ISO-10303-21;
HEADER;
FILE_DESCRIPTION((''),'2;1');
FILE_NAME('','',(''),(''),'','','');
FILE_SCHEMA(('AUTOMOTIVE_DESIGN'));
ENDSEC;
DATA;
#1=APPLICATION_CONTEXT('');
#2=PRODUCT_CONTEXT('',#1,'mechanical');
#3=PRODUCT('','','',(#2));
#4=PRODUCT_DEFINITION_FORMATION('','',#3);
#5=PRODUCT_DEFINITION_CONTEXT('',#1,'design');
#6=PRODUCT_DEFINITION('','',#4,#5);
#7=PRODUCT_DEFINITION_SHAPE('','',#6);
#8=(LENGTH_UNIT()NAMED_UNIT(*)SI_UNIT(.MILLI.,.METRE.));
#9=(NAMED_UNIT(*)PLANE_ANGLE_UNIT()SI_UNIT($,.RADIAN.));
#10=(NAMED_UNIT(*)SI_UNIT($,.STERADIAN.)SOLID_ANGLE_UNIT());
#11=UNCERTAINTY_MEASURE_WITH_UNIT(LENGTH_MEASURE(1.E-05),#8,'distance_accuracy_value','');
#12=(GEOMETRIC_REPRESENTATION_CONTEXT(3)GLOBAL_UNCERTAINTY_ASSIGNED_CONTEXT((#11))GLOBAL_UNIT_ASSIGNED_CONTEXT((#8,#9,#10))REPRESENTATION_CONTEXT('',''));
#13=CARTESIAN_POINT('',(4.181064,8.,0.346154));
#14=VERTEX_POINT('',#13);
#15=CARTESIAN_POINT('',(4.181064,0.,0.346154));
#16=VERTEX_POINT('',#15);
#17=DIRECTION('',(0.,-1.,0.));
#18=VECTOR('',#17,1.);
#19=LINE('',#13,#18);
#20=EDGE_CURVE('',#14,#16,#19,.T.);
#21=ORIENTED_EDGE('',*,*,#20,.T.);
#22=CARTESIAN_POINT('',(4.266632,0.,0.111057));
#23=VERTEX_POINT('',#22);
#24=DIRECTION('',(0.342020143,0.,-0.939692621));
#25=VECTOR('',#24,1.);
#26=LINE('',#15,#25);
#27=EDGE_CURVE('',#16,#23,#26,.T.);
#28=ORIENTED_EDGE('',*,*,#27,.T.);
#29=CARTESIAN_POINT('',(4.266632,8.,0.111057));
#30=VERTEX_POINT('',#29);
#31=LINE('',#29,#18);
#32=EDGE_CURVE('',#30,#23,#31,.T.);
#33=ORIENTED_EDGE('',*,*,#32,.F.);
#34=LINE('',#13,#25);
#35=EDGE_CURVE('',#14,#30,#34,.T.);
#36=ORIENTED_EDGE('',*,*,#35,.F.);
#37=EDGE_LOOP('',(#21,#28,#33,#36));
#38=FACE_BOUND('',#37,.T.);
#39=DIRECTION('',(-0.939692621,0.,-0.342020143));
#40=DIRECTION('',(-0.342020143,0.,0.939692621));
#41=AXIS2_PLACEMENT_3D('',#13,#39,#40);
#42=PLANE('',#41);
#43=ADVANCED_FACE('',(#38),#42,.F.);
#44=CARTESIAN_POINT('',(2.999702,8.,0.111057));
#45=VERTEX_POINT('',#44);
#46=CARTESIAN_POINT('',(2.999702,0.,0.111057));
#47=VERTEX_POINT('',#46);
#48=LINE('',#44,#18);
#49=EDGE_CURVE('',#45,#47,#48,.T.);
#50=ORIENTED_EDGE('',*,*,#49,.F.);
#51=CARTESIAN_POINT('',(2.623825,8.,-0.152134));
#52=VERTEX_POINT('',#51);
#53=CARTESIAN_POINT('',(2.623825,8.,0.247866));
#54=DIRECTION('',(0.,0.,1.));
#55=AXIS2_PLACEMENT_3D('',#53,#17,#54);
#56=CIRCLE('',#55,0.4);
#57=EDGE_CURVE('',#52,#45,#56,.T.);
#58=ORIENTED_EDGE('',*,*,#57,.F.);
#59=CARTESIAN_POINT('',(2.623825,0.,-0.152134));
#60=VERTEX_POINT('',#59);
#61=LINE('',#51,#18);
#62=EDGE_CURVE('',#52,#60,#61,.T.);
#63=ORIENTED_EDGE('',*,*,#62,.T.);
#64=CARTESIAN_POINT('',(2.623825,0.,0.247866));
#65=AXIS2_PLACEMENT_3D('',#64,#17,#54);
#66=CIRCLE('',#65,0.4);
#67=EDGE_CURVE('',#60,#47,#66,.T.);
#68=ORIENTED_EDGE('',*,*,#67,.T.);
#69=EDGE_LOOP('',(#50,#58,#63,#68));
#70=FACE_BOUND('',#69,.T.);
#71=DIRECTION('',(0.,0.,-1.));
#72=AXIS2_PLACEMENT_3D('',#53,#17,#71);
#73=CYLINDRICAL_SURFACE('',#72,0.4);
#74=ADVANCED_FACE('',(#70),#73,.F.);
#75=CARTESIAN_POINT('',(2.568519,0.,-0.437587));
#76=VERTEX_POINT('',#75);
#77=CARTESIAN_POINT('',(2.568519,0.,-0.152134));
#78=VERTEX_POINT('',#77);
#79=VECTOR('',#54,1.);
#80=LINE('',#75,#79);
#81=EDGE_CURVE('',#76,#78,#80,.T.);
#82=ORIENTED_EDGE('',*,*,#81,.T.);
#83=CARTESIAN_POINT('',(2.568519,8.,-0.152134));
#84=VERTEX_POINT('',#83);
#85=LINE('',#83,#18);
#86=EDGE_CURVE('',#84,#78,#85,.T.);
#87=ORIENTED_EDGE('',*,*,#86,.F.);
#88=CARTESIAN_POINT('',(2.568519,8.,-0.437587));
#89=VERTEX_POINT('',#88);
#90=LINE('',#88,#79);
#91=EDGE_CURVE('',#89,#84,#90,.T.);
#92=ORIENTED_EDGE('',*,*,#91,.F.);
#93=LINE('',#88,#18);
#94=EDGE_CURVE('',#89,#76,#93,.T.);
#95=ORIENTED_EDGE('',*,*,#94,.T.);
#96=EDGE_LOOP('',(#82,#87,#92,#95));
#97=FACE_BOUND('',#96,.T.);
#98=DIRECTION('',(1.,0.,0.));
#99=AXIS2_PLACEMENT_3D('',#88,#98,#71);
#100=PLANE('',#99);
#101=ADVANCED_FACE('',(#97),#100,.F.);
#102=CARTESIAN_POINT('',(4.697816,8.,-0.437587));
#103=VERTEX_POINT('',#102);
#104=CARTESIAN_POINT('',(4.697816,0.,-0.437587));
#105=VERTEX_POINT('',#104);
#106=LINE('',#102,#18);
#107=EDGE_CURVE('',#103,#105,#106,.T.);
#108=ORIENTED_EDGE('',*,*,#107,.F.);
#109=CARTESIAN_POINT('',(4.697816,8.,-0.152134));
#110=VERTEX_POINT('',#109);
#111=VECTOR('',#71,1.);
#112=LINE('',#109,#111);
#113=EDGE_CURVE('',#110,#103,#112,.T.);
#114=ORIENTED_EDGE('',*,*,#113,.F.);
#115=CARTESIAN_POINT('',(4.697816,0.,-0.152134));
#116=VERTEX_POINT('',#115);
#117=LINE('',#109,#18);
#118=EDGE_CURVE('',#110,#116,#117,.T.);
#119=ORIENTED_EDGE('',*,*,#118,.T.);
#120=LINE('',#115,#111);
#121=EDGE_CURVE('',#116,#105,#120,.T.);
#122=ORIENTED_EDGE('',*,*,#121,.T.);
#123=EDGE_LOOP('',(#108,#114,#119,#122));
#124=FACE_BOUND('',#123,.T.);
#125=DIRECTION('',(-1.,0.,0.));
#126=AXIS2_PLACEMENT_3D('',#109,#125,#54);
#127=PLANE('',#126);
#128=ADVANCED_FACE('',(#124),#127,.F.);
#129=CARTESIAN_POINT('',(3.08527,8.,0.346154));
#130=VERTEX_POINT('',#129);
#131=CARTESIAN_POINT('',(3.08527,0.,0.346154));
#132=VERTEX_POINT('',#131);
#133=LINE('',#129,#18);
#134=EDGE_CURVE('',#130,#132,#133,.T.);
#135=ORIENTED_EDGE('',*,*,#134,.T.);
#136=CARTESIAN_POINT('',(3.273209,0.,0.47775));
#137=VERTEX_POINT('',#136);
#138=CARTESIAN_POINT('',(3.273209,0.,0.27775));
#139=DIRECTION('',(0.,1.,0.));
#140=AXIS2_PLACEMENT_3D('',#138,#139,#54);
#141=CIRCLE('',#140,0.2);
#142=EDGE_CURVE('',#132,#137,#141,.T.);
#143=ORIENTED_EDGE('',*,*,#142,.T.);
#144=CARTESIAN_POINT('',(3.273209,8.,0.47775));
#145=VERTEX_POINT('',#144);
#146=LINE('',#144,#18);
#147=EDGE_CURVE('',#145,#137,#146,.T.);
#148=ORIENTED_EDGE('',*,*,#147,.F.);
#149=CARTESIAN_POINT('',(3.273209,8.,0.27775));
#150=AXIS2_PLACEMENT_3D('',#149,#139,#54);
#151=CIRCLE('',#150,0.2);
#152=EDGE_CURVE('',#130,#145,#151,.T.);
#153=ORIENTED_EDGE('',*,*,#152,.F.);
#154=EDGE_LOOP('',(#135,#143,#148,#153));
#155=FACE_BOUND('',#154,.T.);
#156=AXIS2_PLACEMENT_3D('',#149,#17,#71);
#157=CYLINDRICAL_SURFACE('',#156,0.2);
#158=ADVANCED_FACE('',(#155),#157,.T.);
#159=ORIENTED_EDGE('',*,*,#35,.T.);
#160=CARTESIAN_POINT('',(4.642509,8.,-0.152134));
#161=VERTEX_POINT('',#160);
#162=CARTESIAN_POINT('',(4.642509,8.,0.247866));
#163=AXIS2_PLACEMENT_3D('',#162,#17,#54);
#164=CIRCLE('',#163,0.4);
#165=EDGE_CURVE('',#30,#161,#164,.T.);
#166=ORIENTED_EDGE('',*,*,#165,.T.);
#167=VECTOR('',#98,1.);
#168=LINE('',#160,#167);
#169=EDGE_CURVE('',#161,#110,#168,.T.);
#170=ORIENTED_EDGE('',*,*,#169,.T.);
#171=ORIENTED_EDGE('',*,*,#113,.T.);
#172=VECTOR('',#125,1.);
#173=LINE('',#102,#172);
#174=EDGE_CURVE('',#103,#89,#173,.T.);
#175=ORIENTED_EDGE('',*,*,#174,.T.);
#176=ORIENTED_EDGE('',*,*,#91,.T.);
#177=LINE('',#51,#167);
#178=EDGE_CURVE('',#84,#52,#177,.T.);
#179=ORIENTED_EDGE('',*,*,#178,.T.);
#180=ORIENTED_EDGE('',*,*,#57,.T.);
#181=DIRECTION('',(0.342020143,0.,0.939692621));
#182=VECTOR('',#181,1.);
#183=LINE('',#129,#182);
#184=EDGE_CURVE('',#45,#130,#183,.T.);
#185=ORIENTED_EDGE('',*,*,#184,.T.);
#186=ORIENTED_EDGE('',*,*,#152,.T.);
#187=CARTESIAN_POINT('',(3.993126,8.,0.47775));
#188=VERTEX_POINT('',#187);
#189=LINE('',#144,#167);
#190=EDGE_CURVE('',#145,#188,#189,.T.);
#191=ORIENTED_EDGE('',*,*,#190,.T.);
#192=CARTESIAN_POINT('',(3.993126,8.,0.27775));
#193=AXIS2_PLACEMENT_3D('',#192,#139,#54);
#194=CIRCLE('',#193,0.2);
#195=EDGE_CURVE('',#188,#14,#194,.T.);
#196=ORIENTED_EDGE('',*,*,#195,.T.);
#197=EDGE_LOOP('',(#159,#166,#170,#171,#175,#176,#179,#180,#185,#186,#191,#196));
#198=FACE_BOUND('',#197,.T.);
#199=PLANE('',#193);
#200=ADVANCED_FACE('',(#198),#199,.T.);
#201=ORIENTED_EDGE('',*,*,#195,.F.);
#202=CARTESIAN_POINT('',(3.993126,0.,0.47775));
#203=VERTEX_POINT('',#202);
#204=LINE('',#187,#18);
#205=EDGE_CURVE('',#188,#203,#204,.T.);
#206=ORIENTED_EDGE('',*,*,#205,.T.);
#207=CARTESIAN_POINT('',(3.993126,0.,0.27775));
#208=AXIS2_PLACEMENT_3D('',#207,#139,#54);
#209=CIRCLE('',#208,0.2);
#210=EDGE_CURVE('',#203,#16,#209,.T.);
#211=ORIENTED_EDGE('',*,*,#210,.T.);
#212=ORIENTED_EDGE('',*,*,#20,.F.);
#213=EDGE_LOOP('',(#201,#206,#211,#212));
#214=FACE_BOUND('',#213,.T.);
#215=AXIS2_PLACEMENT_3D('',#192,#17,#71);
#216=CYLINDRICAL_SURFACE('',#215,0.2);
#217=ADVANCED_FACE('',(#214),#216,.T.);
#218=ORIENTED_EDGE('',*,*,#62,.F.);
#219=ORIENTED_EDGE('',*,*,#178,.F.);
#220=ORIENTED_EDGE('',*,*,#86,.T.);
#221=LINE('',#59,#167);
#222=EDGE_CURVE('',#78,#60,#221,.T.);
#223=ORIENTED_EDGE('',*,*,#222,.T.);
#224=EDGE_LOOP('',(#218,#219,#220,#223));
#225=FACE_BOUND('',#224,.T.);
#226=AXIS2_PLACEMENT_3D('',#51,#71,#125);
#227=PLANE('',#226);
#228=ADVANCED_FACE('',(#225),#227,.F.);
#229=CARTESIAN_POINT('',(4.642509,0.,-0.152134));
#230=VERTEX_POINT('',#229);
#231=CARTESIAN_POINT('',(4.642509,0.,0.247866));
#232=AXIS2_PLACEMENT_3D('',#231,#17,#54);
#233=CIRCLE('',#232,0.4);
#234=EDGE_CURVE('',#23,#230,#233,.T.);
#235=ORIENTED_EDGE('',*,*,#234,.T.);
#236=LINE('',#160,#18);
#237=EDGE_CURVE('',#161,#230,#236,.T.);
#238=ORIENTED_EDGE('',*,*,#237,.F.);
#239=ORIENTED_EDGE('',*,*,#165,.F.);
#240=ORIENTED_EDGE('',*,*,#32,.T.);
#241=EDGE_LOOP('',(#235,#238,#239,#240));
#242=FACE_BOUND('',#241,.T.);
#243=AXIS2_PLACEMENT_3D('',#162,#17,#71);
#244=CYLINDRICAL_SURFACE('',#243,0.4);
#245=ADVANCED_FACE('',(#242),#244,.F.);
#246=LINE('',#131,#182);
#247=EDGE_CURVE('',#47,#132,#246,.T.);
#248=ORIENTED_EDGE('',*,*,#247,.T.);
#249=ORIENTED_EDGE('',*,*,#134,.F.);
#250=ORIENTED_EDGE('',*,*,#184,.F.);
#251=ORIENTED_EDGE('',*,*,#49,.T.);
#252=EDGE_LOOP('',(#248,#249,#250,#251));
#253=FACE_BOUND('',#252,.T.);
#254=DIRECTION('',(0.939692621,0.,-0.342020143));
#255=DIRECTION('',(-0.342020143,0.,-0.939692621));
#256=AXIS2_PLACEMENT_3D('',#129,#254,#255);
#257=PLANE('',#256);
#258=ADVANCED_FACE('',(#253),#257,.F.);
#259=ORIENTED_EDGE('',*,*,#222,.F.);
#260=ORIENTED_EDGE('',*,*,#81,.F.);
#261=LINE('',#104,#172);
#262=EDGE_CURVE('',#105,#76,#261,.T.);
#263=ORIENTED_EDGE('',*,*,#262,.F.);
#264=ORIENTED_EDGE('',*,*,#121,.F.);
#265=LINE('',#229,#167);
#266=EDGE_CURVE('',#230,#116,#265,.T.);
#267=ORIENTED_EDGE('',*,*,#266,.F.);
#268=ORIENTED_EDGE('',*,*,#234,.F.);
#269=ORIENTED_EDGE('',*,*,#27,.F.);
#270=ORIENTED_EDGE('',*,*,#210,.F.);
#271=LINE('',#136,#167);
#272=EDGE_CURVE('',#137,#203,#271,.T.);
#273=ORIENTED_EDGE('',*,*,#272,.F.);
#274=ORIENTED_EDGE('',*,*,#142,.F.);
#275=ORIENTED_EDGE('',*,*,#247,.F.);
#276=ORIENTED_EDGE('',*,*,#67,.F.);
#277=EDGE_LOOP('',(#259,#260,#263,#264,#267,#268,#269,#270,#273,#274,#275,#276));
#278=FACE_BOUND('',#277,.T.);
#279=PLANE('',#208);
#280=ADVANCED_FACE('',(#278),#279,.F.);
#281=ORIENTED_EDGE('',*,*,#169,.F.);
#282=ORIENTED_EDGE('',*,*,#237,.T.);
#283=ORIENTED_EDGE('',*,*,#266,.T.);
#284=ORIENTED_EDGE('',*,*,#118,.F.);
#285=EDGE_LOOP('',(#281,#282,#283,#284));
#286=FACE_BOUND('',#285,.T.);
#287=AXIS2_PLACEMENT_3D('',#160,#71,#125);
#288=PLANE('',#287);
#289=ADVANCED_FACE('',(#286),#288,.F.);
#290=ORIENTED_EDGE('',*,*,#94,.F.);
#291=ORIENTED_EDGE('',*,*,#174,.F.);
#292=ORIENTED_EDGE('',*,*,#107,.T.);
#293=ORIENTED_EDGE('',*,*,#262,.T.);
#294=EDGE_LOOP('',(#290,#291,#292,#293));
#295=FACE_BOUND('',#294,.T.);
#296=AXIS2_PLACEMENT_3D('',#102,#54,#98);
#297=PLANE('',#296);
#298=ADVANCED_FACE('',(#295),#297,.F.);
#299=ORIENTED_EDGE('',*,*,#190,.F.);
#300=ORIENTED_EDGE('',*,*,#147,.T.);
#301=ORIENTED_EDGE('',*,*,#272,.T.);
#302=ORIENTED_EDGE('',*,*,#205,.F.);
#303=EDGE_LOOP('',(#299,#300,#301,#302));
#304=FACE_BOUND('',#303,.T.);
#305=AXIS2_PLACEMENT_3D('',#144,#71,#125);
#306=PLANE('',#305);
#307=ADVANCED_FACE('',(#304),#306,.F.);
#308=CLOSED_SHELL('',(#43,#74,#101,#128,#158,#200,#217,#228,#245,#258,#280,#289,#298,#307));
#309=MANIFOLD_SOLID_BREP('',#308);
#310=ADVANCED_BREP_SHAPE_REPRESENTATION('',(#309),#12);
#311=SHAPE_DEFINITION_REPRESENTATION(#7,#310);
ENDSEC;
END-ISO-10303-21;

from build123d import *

# Parameters (mm, degrees)
EXTRUDE_1_DEPTH = 8


with BuildPart() as part:
    # 草图1 → 凸台-拉伸1 (new body)
    with BuildSketch(Plane(origin=(0, 0, 0), x_dir=(1, 0, 0), z_dir=(0, 1, 0))):
        with BuildLine():
            Line((4.181064308, -0.346153929), (4.266632429, -0.111057449))
            ThreePointArc((4.266632429, -0.111057449), (4.413078903, 0.079795311), (4.642509478, 0.152134494))
            Line((4.642509478, 0.152134494), (4.697815899, 0.152134494))
            Line((4.697815899, 0.152134494), (4.697815899, 0.43758725))
            Line((4.697815899, 0.43758725), (2.568518685, 0.43758725))
            Line((2.568518685, 0.43758725), (2.568518685, 0.152134494))
            Line((2.568518685, 0.152134494), (2.623825106, 0.152134494))
            ThreePointArc((2.623825106, 0.152134494), (2.853255681, 0.079795311), (2.999702154, -0.111057449))
            Line((2.999702154, -0.111057449), (3.085270275, -0.346153929))
            ThreePointArc((3.085270275, -0.346153929), (3.158493512, -0.441580309), (3.273208799, -0.477749901))
            Line((3.273208799, -0.477749901), (3.993125784, -0.477749901))
            ThreePointArc((3.993125784, -0.477749901), (4.107841071, -0.441580309), (4.181064308, -0.346153929))
        make_face()
    extrude(amount=EXTRUDE_1_DEPTH)


solid = part.part
